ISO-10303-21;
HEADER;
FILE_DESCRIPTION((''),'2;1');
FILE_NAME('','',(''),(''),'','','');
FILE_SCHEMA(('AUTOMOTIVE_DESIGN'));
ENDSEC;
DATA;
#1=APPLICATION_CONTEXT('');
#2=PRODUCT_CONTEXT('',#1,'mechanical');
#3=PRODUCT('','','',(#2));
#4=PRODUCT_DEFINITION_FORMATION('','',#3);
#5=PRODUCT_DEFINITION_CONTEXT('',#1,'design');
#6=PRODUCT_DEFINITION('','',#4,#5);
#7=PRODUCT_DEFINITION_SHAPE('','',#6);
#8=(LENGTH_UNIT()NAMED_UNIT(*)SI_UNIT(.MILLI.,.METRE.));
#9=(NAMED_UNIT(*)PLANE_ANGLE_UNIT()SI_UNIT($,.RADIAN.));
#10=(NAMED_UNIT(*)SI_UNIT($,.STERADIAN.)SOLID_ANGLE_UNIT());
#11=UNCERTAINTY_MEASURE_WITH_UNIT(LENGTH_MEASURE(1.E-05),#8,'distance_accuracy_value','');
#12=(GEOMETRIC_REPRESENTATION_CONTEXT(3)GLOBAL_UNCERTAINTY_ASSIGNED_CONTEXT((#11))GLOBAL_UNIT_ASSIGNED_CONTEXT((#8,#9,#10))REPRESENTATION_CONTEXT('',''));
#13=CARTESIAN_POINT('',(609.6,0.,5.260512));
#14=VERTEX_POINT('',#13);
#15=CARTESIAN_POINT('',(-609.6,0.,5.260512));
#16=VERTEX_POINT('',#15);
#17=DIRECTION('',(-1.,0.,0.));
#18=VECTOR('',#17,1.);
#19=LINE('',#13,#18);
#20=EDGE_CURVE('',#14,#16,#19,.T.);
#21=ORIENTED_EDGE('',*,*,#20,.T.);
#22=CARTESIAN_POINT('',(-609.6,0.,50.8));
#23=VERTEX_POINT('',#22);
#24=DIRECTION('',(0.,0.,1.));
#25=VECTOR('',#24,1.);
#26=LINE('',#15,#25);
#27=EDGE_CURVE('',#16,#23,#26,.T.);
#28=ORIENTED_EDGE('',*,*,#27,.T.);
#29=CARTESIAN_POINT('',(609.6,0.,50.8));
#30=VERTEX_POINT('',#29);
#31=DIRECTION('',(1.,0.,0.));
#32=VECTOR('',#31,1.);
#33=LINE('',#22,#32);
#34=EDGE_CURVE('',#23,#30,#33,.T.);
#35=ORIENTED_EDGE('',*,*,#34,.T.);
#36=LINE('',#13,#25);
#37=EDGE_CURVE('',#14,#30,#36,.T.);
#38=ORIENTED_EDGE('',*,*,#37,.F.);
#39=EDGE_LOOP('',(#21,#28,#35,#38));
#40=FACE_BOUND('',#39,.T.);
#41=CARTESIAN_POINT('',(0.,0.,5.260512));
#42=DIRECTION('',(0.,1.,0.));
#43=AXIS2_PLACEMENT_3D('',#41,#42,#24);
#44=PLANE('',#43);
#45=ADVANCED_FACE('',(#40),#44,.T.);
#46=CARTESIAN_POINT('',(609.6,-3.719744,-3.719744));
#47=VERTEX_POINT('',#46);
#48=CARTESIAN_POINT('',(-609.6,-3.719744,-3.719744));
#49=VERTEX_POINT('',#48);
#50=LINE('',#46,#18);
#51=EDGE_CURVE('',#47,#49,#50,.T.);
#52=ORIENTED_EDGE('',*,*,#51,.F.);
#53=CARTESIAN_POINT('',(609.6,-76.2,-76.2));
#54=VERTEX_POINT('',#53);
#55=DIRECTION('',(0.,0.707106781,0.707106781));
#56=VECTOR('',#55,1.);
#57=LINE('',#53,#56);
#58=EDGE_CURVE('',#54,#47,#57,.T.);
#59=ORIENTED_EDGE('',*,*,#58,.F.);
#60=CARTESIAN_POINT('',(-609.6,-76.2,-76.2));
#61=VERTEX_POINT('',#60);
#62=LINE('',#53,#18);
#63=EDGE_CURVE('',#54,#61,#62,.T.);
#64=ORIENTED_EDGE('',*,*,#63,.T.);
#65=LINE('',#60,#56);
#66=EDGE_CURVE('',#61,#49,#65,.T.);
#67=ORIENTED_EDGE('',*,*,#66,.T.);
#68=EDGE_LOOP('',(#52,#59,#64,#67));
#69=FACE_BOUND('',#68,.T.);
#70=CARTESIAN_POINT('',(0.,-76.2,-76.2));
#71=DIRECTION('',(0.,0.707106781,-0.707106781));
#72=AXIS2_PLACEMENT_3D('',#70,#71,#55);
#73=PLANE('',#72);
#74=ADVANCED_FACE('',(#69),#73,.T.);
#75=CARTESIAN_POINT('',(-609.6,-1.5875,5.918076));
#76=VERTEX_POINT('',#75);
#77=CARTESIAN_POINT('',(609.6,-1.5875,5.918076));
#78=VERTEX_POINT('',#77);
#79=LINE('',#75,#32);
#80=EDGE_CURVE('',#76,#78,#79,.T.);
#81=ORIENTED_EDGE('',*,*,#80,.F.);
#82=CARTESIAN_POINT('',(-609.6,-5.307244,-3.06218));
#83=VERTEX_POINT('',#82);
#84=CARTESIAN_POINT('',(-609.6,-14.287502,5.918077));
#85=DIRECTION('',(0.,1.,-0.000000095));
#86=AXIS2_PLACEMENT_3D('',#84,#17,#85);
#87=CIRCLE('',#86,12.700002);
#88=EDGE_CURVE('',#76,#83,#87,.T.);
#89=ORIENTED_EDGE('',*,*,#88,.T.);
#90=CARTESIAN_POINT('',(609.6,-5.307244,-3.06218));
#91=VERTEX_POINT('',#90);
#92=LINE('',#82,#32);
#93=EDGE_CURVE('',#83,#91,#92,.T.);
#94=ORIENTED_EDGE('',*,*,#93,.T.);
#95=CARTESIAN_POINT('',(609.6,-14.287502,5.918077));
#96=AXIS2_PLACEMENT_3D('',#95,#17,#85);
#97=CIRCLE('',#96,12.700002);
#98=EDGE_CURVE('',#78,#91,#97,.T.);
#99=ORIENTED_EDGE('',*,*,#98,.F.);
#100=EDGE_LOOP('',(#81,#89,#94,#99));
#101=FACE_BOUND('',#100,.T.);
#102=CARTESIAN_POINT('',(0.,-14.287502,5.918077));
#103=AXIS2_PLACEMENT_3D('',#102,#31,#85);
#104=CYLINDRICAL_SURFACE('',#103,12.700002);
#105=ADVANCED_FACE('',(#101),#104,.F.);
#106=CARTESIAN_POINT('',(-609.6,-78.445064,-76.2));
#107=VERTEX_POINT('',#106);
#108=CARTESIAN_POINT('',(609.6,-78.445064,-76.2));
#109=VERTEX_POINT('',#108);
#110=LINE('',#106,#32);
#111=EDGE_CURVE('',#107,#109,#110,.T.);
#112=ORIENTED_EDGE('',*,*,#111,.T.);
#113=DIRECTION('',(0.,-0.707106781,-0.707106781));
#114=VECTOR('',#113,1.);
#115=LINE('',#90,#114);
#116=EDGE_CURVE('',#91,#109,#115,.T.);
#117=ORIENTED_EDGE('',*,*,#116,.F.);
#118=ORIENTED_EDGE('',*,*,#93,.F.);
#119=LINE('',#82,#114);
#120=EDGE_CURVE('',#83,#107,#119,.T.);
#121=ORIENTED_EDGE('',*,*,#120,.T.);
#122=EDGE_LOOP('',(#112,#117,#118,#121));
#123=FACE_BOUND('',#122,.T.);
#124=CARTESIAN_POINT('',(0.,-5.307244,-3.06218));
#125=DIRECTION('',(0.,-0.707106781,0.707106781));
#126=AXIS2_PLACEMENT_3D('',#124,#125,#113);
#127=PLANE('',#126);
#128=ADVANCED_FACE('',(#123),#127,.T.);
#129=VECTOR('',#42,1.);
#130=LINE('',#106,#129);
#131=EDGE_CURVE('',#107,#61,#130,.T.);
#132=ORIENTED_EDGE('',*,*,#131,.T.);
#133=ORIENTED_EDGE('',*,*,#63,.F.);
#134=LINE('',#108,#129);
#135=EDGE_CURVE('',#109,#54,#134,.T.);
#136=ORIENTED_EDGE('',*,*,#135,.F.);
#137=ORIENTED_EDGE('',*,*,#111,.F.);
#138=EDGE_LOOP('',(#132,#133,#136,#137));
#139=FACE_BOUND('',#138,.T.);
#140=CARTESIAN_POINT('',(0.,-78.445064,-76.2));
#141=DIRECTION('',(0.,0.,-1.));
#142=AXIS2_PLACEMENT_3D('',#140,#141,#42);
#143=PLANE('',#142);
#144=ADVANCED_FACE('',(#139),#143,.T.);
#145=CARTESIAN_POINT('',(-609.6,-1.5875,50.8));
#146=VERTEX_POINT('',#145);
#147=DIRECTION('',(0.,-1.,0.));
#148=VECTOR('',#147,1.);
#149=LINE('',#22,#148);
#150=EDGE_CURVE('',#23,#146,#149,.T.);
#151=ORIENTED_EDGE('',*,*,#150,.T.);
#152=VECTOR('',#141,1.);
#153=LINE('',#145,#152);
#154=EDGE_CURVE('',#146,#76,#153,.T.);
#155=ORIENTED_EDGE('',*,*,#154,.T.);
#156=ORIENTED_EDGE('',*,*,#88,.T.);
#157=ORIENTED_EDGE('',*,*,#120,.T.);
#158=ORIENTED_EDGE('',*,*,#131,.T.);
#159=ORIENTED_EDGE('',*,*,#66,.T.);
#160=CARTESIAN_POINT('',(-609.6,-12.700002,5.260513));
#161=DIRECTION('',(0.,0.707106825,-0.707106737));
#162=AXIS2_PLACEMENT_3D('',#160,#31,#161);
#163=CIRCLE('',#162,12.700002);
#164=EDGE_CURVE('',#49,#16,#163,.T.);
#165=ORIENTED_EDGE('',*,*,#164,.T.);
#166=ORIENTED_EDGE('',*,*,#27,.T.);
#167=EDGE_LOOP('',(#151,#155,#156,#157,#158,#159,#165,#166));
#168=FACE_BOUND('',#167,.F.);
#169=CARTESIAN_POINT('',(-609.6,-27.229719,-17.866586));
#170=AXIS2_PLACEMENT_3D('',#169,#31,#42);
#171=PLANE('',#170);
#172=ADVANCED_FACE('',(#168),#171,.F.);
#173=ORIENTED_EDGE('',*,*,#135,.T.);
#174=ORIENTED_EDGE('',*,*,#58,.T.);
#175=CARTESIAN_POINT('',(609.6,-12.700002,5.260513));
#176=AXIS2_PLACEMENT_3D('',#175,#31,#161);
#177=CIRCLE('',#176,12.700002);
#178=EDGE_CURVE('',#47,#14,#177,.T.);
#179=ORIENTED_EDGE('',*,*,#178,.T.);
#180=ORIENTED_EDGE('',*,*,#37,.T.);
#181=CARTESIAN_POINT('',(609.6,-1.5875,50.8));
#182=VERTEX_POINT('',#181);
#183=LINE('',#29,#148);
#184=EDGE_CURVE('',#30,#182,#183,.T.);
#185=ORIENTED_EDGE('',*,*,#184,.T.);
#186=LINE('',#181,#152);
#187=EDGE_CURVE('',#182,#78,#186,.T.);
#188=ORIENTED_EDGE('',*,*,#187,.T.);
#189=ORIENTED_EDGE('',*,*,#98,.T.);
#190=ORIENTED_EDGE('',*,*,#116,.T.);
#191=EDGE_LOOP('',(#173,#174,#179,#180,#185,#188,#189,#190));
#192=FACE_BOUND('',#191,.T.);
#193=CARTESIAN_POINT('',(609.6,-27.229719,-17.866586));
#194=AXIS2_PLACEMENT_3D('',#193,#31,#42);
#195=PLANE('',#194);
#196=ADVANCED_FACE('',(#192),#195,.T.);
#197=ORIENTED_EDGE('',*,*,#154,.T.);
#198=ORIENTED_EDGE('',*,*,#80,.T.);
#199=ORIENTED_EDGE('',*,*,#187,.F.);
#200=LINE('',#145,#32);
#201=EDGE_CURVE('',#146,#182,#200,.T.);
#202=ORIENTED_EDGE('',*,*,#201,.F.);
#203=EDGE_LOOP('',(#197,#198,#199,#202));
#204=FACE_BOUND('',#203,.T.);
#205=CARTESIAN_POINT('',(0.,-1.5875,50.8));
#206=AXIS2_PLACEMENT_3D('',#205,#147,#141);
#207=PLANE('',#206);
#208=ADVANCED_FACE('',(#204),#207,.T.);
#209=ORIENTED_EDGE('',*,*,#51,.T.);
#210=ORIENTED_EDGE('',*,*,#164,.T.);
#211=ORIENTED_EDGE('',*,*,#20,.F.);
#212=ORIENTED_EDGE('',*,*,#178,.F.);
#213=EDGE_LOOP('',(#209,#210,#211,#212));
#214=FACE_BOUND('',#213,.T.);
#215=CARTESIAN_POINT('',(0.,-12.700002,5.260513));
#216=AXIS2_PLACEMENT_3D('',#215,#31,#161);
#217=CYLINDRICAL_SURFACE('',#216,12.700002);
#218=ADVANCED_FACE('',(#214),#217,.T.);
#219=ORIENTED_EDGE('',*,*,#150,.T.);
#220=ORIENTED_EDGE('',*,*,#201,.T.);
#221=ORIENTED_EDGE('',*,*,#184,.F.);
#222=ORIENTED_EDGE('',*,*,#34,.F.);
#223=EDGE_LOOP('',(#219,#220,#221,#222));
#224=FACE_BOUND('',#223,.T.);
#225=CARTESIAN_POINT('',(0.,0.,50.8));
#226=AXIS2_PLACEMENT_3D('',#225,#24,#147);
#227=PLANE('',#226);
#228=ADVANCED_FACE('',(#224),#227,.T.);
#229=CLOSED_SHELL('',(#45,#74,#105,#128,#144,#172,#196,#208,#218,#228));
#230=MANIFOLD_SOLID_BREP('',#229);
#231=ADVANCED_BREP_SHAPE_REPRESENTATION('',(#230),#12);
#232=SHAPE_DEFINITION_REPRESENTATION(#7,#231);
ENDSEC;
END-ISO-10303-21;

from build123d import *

# Parameters (mm, degrees)
F1_DEPTH      = 609.6
F1_DEPTH_BACK = 609.6


with BuildPart() as f1:
    # F0 (on Right) → F1 (new body, two sides)
    with BuildSketch(Plane.YZ) as f1_sk:
        with BuildLine():
            Line((0, 5.260512), (0, 50.8))
            Line((0, 50.8), (-1.5875, 50.8))
            Line((-1.5875, 50.8), (-1.5875, 5.918076))
            ThreePointArc((-1.5875, 5.918076), (-2.55423, 1.057997), (-5.307244, -3.06218))
            Line((-5.307244, -3.06218), (-78.445064, -76.2))
            Line((-78.445064, -76.2), (-76.2, -76.2))
            Line((-76.2, -76.2), (-3.719744, -3.719744))
            ThreePointArc((-3.719744, -3.719744), (-0.96673, 0.400433), (0, 5.260512))
        make_face()
    extrude(amount=F1_DEPTH)
    extrude(f1_sk.sketch, amount=-F1_DEPTH_BACK)


solid = f1.part
